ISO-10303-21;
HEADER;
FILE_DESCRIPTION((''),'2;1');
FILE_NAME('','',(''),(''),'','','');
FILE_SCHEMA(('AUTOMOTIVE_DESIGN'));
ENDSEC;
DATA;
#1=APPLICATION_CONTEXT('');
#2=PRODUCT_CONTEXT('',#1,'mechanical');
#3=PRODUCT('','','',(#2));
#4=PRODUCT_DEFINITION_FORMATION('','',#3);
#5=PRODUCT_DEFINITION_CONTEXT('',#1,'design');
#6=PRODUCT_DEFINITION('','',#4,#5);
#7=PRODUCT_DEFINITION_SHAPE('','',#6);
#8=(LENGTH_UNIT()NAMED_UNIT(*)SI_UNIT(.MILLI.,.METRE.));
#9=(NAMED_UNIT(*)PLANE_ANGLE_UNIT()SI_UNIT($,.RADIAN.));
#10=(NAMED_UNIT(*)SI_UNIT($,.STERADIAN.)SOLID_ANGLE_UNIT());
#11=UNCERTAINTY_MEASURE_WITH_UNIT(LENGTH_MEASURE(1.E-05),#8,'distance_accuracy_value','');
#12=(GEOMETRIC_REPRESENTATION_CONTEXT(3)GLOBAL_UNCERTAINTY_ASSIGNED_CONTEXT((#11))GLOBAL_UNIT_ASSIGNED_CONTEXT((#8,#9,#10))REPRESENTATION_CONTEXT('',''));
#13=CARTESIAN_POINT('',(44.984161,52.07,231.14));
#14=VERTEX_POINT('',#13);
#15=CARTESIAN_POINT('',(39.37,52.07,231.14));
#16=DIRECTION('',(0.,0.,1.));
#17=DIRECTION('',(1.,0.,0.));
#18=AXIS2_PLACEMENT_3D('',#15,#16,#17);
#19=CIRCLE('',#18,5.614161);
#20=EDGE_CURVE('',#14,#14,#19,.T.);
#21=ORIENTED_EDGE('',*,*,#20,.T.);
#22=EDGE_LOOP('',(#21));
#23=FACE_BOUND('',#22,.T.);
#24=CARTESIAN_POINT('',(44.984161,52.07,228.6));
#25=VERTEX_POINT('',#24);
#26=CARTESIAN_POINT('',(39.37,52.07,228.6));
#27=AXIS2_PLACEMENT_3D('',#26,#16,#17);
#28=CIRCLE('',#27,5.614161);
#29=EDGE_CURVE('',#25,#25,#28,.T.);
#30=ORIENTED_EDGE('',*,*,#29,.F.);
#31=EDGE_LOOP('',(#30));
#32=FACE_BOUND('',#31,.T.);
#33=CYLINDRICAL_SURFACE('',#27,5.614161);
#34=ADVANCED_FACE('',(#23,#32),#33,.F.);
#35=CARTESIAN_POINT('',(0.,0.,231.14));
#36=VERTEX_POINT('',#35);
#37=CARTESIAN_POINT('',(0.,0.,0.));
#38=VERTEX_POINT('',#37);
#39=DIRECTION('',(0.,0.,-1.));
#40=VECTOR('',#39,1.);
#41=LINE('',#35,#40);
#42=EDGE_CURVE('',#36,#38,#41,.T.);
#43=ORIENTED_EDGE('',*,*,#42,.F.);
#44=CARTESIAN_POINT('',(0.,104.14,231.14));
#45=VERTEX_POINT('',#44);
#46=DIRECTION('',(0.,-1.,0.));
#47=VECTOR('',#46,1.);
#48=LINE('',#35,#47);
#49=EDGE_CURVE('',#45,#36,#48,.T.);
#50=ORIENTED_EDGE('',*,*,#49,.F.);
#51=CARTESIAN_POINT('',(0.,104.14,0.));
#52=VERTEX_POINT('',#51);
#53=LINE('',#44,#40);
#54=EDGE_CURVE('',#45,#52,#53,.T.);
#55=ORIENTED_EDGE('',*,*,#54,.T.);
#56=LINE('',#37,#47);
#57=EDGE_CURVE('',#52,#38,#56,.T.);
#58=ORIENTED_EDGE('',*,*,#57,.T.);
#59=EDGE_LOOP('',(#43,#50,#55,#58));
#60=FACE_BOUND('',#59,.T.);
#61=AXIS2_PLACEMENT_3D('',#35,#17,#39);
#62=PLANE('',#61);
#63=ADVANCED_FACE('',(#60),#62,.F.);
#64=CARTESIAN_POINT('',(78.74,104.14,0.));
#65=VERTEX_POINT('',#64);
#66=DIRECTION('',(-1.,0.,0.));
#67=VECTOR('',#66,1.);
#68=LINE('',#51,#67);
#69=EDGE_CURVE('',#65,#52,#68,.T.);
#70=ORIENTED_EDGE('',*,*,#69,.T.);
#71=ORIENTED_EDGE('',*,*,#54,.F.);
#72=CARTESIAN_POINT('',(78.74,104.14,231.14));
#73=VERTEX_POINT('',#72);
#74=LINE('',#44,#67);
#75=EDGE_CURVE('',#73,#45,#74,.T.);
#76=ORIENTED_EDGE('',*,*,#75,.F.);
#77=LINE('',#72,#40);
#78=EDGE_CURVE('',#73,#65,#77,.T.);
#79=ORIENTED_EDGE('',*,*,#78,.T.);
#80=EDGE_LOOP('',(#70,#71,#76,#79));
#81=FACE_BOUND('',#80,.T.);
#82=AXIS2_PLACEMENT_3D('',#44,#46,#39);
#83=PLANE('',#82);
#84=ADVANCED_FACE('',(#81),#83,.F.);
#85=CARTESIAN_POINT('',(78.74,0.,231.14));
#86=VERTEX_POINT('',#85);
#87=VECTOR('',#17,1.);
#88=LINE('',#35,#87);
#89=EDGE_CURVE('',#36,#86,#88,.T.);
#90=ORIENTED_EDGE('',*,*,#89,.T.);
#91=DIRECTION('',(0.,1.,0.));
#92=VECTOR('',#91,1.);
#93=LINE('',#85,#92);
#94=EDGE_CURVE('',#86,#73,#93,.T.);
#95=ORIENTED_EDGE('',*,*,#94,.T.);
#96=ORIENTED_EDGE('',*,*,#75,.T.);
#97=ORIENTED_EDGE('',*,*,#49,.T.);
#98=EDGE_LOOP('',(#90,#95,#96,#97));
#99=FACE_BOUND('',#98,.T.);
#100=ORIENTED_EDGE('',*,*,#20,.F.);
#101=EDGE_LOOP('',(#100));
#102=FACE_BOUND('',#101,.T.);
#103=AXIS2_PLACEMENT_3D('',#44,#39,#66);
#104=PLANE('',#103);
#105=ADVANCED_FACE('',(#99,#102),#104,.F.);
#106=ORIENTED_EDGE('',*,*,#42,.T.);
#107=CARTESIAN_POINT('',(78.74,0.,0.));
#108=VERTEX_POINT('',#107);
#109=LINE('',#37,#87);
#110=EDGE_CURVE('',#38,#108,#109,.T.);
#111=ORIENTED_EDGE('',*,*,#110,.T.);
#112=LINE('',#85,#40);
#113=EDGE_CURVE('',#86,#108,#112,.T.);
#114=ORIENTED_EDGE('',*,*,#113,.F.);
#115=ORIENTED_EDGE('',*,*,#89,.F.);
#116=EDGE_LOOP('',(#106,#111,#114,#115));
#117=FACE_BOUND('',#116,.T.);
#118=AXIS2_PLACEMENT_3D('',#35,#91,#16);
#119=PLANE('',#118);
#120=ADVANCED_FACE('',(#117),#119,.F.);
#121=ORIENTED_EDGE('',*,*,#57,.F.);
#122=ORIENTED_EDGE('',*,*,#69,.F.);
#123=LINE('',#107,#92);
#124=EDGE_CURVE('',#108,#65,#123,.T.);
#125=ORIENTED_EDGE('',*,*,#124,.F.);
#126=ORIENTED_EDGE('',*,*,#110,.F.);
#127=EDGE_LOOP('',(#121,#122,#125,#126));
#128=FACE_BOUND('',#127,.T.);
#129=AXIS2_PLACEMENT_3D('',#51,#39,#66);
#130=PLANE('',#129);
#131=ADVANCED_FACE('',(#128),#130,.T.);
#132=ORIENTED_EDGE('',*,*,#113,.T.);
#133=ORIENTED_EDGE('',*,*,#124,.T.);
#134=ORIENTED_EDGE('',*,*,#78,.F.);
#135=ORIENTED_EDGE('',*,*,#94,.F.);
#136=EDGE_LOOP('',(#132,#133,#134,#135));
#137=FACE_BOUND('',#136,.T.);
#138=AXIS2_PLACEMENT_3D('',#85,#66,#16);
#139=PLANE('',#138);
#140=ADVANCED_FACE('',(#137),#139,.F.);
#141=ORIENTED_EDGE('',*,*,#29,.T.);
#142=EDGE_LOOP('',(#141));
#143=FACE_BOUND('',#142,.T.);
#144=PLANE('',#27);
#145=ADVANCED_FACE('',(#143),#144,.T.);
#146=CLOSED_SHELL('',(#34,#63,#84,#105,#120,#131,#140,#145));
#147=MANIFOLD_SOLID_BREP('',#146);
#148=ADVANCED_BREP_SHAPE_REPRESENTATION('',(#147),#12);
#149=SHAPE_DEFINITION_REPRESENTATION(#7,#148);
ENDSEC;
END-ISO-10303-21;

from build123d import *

# Parameters (mm, degrees)
SKETCH1_W           = 78.74
SKETCH1_H           = 104.14
BOSS_EXTRUDE1_DEPTH = 231.14
SKETCH2_R           = 5.614160658
CUT_EXTRUDE1_DEPTH  = 2.54


with BuildPart() as part:
    # Sketch1 → Boss-Extrude1 (new body)
    with BuildSketch(Plane.XY):
        with Locations((39.37, 52.07)):
            Rectangle(SKETCH1_W, SKETCH1_H)
    extrude(amount=BOSS_EXTRUDE1_DEPTH)

    # Sketch2 → Cut-Extrude1 (cut)
    with BuildSketch(Plane.XY.offset(231.14)):
        with Locations((39.37, 52.07)):
            Circle(SKETCH2_R)
    extrude(amount=-CUT_EXTRUDE1_DEPTH, mode=Mode.SUBTRACT)


solid = part.part
